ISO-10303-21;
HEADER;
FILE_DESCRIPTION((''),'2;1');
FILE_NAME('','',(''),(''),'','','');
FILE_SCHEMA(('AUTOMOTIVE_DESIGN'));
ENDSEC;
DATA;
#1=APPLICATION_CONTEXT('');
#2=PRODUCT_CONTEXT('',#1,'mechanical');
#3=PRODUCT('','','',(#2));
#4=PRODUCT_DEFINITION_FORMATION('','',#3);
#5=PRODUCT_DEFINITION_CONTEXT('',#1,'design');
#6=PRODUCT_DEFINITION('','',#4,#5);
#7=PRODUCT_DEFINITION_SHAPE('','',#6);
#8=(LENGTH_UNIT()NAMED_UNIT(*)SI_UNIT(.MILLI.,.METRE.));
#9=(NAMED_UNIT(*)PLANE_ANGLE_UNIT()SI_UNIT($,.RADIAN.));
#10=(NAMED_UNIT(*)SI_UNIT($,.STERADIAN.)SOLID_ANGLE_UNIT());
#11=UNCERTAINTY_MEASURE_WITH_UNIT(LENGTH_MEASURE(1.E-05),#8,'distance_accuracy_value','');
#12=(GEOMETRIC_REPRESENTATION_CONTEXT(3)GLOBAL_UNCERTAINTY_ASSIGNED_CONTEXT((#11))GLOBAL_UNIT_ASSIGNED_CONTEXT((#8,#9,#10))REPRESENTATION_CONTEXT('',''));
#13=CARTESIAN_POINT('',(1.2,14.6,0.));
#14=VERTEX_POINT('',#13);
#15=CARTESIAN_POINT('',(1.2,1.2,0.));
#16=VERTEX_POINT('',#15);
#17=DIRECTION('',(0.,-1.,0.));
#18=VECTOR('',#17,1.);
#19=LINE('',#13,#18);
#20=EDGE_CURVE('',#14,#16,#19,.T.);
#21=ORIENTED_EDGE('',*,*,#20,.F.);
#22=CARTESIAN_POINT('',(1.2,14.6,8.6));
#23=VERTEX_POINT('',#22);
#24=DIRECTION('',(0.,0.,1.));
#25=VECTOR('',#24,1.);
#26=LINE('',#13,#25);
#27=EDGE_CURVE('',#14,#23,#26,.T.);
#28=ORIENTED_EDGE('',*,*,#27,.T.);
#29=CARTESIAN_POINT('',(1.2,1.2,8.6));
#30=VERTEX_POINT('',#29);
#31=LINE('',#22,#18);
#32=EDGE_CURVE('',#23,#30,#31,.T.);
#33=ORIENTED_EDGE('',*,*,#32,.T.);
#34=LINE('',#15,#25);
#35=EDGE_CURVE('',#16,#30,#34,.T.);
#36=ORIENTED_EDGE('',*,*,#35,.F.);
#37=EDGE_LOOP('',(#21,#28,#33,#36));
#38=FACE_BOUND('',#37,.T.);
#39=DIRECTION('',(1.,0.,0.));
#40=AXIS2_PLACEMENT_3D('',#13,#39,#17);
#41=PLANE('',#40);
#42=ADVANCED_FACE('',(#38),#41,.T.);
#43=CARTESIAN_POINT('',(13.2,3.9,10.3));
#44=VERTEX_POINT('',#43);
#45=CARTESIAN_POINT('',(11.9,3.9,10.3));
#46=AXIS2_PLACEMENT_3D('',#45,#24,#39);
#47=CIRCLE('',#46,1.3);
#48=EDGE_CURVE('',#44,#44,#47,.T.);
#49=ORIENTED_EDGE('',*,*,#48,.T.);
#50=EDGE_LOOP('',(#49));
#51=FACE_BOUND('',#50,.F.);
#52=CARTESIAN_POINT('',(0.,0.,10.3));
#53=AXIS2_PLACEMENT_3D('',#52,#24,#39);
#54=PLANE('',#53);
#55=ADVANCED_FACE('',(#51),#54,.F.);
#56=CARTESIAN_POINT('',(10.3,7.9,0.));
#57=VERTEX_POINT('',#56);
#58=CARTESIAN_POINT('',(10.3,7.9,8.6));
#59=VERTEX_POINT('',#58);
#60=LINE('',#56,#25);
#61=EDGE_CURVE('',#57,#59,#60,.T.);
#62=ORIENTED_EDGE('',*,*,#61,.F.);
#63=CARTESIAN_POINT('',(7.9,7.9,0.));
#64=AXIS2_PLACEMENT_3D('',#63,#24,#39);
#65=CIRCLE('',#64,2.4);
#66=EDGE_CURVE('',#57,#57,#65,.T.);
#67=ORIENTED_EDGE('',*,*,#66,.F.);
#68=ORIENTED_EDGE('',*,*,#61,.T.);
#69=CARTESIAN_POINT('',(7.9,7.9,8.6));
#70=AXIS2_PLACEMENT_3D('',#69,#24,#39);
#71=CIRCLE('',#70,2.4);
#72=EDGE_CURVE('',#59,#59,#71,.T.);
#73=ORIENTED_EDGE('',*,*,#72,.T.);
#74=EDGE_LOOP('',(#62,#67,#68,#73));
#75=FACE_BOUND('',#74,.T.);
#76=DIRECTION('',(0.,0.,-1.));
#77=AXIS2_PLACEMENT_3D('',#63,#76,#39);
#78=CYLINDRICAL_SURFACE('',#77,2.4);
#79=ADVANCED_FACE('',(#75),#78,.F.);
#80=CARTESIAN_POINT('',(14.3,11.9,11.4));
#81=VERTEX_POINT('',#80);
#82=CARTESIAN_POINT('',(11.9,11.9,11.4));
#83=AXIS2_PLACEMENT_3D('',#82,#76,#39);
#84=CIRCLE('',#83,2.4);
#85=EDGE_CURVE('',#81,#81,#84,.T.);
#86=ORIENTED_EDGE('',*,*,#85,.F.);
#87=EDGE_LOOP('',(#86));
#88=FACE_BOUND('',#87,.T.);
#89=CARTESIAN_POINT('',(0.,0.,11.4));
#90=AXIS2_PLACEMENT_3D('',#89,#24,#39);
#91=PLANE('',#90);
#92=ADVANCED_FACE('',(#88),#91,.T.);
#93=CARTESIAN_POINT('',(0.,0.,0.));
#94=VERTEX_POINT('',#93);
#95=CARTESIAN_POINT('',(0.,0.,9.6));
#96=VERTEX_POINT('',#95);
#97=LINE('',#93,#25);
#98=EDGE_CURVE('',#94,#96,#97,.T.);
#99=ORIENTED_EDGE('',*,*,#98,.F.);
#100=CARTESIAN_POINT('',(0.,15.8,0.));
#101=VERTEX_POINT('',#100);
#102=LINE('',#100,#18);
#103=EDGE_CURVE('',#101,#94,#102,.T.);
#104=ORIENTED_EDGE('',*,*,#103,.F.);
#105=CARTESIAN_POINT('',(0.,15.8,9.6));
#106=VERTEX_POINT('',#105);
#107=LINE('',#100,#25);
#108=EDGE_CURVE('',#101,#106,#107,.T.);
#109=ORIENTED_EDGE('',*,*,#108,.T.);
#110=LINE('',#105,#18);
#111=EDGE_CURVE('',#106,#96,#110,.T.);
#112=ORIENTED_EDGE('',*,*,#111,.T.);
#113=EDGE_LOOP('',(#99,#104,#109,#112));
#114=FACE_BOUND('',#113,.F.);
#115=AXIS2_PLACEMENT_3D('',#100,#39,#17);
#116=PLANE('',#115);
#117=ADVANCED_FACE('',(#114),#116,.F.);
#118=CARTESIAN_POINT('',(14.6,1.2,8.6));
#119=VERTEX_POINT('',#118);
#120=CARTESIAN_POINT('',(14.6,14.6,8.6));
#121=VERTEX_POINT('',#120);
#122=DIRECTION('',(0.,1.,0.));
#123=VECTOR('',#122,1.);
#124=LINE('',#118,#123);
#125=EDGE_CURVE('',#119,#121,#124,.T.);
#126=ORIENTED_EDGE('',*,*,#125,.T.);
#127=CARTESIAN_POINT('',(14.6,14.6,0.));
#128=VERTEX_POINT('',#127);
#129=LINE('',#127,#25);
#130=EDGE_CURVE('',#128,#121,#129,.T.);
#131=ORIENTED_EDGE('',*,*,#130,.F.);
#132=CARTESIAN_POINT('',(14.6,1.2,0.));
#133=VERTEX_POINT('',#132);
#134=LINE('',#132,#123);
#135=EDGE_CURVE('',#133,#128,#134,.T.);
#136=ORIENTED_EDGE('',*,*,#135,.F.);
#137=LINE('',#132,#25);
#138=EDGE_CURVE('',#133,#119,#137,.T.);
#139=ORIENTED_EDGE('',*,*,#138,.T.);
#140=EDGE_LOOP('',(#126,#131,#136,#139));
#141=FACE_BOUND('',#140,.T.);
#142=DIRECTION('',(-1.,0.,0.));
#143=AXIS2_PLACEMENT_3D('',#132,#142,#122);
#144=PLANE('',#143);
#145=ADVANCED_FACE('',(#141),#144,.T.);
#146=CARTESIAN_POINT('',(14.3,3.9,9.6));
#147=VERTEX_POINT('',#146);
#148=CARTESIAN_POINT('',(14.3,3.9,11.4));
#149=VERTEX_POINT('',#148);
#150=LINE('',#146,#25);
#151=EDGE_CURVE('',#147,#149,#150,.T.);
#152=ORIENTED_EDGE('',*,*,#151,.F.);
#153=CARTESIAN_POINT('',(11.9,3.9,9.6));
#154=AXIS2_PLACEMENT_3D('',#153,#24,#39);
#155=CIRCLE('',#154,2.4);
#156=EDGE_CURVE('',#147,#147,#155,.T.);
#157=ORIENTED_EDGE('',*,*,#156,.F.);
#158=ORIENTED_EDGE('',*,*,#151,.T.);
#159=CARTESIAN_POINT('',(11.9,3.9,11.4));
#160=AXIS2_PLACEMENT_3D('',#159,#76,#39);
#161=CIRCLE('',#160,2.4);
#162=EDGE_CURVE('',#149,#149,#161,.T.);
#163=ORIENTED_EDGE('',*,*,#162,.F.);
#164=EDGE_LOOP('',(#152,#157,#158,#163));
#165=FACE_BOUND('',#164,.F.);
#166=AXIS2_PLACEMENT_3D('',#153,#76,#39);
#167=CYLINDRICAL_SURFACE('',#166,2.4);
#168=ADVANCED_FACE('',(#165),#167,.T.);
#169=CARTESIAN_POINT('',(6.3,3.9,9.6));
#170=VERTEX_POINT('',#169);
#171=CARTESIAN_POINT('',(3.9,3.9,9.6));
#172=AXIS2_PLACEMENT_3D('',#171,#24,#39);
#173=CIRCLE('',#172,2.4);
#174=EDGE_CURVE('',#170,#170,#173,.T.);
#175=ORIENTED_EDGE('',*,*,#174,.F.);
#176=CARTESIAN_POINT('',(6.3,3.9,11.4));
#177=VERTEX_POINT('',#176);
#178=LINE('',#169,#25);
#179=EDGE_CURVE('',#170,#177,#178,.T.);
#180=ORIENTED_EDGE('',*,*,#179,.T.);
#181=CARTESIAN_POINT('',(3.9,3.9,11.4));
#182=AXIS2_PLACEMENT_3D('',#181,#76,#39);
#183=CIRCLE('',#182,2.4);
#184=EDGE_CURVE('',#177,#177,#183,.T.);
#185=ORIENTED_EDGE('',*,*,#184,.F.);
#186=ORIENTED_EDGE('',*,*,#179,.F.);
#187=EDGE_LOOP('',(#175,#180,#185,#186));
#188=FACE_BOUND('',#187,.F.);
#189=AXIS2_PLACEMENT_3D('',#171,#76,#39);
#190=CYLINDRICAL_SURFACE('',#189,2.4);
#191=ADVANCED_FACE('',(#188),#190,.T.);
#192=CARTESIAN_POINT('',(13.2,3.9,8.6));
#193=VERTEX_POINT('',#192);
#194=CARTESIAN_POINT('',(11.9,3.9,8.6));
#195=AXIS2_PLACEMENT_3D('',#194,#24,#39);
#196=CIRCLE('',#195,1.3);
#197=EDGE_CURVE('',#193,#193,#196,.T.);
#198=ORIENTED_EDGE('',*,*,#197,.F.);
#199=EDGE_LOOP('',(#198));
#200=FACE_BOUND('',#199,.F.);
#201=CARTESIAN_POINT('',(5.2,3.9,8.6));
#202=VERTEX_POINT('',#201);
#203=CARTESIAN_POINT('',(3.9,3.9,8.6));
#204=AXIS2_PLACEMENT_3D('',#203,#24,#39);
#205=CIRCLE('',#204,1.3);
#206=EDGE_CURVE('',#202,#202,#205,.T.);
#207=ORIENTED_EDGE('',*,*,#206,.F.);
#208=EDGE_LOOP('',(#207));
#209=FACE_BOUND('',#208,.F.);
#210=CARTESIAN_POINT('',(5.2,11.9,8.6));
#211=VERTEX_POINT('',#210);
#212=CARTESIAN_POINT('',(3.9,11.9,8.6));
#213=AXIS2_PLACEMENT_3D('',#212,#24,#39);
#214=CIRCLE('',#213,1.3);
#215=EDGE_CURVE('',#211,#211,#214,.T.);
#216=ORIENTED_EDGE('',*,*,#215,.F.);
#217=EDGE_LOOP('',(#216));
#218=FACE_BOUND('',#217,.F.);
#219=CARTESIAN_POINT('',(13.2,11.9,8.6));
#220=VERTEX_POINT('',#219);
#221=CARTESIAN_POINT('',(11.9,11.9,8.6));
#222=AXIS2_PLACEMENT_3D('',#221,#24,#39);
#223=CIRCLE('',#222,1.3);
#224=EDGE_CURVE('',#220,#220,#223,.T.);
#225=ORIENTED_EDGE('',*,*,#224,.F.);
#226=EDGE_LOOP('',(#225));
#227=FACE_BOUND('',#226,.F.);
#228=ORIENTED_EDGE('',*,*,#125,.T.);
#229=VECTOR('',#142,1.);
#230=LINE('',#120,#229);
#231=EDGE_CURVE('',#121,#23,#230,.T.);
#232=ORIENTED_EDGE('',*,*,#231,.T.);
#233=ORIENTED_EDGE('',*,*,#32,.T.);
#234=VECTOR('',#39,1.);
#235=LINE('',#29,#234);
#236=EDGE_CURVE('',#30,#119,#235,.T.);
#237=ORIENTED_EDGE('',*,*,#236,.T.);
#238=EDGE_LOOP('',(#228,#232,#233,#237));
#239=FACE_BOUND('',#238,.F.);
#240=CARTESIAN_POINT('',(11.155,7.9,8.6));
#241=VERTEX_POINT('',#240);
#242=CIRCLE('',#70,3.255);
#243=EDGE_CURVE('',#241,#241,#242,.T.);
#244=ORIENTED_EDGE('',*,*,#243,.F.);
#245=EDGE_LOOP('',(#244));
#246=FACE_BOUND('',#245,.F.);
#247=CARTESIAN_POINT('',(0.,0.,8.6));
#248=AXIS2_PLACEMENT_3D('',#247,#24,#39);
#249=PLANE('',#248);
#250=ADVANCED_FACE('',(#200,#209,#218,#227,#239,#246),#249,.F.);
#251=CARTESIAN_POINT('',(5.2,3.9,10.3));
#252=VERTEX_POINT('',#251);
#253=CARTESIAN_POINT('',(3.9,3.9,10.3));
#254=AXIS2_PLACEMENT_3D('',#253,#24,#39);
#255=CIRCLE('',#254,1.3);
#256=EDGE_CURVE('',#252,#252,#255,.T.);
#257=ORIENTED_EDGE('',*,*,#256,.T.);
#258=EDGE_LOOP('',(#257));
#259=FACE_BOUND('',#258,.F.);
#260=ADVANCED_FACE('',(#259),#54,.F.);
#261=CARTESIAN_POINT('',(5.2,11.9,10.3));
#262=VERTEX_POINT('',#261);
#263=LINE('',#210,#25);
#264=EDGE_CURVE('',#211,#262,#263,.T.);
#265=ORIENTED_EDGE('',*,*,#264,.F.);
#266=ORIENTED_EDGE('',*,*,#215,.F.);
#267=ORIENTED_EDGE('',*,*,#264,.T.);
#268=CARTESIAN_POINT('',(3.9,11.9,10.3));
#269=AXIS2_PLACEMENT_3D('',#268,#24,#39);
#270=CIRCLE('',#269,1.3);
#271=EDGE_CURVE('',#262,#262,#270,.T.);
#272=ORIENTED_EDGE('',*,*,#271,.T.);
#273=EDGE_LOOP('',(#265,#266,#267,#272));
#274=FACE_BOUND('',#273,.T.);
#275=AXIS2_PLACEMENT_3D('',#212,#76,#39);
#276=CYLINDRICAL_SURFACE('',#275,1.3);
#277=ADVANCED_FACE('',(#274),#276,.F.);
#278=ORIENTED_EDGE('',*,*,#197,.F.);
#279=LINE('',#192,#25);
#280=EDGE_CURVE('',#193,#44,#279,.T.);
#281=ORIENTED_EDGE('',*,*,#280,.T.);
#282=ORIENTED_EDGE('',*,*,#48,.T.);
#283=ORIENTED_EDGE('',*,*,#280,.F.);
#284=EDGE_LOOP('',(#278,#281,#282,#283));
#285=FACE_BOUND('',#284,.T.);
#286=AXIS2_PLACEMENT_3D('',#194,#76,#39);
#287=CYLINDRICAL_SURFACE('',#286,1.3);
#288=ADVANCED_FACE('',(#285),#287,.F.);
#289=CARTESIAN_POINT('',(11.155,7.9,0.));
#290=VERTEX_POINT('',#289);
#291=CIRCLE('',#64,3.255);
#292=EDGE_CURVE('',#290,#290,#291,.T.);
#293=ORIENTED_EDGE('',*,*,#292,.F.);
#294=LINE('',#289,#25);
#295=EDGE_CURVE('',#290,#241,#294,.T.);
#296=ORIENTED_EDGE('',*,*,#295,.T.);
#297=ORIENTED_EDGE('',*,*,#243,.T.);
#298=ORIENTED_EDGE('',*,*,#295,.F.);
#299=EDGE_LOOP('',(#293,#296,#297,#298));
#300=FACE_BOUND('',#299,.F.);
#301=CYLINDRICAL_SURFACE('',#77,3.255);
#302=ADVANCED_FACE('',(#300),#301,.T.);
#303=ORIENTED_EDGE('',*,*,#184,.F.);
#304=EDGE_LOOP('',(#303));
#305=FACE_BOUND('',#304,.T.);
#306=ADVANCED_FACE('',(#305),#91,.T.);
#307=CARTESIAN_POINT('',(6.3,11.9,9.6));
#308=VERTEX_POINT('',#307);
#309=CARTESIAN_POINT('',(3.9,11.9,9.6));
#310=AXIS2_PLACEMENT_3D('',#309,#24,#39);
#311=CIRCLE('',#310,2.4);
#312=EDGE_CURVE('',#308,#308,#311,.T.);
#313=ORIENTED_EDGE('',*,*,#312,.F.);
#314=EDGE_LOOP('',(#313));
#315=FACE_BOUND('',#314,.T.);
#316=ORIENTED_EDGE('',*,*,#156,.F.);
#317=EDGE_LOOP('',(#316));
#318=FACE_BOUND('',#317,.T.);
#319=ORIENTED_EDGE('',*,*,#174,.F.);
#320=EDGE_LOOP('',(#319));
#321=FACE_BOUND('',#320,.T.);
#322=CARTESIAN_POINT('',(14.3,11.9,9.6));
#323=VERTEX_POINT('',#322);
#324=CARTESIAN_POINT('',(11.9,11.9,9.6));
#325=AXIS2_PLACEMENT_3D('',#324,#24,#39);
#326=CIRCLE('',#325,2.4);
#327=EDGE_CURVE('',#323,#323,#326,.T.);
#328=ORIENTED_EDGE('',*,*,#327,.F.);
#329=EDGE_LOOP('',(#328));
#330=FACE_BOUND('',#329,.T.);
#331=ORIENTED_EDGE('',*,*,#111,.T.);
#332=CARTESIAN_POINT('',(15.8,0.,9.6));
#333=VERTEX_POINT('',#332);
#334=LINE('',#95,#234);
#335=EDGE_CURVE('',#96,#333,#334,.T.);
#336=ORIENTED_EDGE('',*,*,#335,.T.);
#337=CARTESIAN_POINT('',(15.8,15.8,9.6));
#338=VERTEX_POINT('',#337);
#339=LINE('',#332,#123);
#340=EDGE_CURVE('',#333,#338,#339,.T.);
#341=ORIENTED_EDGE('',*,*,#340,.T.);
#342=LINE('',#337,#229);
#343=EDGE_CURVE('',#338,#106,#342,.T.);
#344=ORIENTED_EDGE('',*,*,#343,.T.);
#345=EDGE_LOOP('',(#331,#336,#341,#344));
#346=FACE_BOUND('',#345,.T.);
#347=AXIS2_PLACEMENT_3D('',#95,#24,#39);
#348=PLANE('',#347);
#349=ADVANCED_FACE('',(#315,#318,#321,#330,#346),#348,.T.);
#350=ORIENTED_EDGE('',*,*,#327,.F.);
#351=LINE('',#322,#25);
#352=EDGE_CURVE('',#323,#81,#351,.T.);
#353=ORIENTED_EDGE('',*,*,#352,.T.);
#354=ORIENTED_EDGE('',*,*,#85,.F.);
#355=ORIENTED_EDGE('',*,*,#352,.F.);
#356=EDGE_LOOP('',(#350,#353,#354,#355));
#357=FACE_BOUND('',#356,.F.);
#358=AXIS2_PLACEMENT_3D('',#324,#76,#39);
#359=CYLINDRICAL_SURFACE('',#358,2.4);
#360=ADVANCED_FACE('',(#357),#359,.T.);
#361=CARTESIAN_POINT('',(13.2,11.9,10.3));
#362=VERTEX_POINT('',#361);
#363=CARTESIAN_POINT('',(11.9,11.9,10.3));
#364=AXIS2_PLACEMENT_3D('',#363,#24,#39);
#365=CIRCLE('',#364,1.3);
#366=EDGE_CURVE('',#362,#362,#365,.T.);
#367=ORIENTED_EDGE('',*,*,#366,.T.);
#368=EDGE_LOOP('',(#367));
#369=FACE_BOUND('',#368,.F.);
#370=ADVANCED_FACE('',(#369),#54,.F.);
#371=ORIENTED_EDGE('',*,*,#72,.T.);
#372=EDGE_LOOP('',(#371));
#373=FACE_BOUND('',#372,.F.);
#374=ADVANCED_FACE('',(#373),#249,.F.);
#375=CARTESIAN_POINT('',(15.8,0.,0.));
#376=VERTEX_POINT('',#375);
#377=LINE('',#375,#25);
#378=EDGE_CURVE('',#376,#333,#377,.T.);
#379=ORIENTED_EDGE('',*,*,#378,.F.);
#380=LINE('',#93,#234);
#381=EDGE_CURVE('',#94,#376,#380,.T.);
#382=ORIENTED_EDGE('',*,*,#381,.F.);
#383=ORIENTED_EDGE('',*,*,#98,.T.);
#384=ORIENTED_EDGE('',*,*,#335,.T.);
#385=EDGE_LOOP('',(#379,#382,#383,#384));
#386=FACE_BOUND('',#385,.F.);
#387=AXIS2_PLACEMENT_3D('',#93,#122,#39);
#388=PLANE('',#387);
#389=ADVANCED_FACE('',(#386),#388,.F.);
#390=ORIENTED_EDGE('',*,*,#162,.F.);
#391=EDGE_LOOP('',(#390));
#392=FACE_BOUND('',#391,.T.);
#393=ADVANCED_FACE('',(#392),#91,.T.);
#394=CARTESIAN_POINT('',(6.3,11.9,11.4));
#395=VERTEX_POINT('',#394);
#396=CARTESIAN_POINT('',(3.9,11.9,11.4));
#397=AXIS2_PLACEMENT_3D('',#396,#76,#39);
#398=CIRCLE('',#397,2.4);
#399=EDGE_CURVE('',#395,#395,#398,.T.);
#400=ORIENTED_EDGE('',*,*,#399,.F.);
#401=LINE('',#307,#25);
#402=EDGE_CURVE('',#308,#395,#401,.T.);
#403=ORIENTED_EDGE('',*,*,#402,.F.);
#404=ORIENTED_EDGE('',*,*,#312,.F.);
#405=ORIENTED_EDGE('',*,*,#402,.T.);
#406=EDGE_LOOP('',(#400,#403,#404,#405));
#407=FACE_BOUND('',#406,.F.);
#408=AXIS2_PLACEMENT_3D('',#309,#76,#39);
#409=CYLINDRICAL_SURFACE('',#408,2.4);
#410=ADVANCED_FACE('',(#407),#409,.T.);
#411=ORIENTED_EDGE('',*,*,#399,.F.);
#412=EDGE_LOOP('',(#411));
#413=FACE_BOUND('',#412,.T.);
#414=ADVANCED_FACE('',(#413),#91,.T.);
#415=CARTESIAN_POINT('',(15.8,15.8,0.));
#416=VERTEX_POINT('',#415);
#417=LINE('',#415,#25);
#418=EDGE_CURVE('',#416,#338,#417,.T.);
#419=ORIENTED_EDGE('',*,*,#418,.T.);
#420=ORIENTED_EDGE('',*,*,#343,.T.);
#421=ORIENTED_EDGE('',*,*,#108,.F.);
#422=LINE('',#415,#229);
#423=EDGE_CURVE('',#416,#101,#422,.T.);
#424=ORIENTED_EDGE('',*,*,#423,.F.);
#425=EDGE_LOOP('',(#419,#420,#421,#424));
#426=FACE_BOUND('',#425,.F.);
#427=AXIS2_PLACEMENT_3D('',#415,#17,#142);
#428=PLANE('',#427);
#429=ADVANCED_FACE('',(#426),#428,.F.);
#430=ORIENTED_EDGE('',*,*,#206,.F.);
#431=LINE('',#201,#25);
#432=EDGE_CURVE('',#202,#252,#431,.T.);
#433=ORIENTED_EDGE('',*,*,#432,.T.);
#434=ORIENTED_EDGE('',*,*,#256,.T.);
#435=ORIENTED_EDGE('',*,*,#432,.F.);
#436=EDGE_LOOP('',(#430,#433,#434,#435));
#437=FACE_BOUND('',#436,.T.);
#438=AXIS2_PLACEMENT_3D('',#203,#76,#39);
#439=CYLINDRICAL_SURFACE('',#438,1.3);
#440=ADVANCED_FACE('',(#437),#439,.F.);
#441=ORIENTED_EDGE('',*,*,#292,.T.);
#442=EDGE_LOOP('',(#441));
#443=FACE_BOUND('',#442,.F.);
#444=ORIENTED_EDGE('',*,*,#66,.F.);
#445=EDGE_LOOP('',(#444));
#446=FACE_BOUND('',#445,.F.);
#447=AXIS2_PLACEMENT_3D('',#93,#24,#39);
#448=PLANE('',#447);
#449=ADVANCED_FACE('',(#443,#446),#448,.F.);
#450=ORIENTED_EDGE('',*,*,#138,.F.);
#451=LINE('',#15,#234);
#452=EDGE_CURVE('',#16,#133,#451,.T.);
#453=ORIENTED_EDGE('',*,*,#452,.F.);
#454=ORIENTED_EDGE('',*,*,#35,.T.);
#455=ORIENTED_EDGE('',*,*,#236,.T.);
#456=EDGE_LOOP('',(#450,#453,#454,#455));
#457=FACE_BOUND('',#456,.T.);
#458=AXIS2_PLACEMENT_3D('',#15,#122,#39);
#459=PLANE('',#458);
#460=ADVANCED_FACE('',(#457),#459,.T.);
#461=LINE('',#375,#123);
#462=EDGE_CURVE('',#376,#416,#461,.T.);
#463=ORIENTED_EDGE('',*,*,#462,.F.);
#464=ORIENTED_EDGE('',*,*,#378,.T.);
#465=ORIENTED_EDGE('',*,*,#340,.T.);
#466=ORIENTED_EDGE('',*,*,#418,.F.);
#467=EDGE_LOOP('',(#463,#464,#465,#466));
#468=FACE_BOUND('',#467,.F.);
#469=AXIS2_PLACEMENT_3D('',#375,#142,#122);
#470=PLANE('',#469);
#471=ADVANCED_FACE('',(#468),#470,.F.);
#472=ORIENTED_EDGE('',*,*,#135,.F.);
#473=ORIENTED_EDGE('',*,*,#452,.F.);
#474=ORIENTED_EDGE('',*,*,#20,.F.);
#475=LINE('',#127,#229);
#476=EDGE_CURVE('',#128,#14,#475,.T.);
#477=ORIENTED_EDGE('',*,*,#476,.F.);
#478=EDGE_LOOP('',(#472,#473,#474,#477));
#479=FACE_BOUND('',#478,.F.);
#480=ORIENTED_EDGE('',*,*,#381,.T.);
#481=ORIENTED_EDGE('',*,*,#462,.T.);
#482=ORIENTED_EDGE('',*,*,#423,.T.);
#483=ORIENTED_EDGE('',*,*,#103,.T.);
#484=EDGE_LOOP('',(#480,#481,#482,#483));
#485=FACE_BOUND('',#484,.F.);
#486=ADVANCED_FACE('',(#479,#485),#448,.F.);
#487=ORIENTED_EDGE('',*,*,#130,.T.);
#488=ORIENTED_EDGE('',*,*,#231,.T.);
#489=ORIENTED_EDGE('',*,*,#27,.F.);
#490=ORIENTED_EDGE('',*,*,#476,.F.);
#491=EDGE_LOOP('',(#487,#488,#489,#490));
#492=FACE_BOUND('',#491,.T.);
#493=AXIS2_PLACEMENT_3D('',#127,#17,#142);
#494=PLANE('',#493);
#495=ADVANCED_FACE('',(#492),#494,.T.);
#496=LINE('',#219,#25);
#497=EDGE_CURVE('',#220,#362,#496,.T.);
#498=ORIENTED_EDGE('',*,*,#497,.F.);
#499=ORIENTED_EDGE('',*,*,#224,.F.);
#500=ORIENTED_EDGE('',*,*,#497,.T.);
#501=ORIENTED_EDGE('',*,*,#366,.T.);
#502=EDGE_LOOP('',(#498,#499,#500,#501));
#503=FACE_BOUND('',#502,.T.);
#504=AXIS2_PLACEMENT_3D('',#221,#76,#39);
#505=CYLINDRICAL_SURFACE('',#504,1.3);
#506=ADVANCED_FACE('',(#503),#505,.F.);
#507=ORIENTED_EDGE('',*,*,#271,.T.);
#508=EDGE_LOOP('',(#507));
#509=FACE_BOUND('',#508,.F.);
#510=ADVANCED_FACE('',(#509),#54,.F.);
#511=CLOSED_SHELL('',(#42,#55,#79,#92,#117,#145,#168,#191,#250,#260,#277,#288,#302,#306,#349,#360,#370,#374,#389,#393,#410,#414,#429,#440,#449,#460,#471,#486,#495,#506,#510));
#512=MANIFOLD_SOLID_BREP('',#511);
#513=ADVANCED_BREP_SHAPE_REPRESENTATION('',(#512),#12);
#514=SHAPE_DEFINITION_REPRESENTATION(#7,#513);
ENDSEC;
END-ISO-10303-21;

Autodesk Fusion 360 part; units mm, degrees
sketch "Sketch1" plane through (0, 0, 0) normal (0, 0, 1) x (1, 0, 0)
  line L0 (0, 0) -> (15.8, 0)
  line L1 (15.8, 0) -> (15.8, 15.8)
  line L2 (15.8, 15.8) -> (0, 15.8)
  line L3 (0, 15.8) -> (0, 0)
  circle A0 centre (3.9, 11.9) radius 2.4
  circle A1 centre (11.9, 11.9) radius 2.4
  circle A2 centre (11.9, 3.9) radius 2.4
  circle A3 centre (3.9, 3.9) radius 2.4
  line L4 (1.2, 1.2) -> (14.6, 1.2)
  line L5 (14.6, 1.2) -> (14.6, 14.6)
  line L6 (14.6, 14.6) -> (1.2, 14.6)
  line L7 (1.2, 14.6) -> (1.2, 1.2)
  circle A4 centre (7.9, 7.9) radius 3.255
  circle A5 centre (7.9, 7.9) radius 2.4
  circle A6 centre (3.9, 11.9) radius 1.3
  circle A7 centre (11.9, 11.9) radius 1.3
  circle A8 centre (11.9, 3.9) radius 1.3
  circle A9 centre (3.9, 3.9) radius 1.3
  dimension "d1" = 15.8
  dimension "d2" = 15.8
  dimension "d3" = 4.8
  dimension "d4" = 4.8
  dimension "d5" = 4.8
  dimension "d6" = 4.8
  dimension "d7" = 8
  dimension "d8" = 8
  dimension "d9" = 8
  dimension "d10" = 8
  dimension "d11" = 3.9
  dimension "d12" = 3.9
  dimension "d13" = 3.9
  dimension "d14" = 13.4
  dimension "d15" = 13.4
  dimension "d16" = 1.2
  dimension "d17" = 1.2
  dimension "d18" = 6.51
  dimension "d19" = 6.7
  dimension "d20" = 6.7
  dimension "d21" = 4.8
  dimension "d22" = 2.6
  dimension "d23" = 2.6
  dimension "d24" = 2.6
  dimension "d25" = 2.6
  dimension "d32" = 3.9
extrude "Extrude1" add sketch "Sketch1" along normal blind 9.6 contours L0 L1 L2 L3 | A4 makes body 1 at (0, 10.5333, 3.2) makes body 2 at (11.1388, 8.2241, 6.4)
extrude "Extrude2" add sketch "Sketch1" along normal blind 9.6 and the other way blind -8.6 contours A0 | A1 | A2 | A3 | L4 L5 L6 L7 | A5 bodies 1 2
extrude "Extrude3" add sketch "Sketch1" along normal blind 11.4 and the other way blind -9.6 contours A0 | A1 | A2 | A3 | A6 | A7 | A8 | A9 bodies 1
extrude "Extrude4" cut sketch "Sketch1" along normal blind 10.3 contours A6 | A7 | A8 | A9 bodies 1
copy_body "Body->Comp1" bodies 1 removing the originals makes body 3 in component "Yellow 2x2"
component "Yellow 2x2" placed x (1, 0, 0) y (0, 1, 0) z (0, 0, 1) at (0, 0, 0)
equation "d14 = 15.8 mm - 1.2 mm - 1.2 mm"
equation "d15 = 15.8 mm - 1.2 mm - 1.2 mm"
equation "d19 = ( 13.4 / 2 ) * 1 mm"
equation "d33 = 9.6 mm + 1.8 mm"
equation "d37 = 9.6 mm + 0.7 mm"
